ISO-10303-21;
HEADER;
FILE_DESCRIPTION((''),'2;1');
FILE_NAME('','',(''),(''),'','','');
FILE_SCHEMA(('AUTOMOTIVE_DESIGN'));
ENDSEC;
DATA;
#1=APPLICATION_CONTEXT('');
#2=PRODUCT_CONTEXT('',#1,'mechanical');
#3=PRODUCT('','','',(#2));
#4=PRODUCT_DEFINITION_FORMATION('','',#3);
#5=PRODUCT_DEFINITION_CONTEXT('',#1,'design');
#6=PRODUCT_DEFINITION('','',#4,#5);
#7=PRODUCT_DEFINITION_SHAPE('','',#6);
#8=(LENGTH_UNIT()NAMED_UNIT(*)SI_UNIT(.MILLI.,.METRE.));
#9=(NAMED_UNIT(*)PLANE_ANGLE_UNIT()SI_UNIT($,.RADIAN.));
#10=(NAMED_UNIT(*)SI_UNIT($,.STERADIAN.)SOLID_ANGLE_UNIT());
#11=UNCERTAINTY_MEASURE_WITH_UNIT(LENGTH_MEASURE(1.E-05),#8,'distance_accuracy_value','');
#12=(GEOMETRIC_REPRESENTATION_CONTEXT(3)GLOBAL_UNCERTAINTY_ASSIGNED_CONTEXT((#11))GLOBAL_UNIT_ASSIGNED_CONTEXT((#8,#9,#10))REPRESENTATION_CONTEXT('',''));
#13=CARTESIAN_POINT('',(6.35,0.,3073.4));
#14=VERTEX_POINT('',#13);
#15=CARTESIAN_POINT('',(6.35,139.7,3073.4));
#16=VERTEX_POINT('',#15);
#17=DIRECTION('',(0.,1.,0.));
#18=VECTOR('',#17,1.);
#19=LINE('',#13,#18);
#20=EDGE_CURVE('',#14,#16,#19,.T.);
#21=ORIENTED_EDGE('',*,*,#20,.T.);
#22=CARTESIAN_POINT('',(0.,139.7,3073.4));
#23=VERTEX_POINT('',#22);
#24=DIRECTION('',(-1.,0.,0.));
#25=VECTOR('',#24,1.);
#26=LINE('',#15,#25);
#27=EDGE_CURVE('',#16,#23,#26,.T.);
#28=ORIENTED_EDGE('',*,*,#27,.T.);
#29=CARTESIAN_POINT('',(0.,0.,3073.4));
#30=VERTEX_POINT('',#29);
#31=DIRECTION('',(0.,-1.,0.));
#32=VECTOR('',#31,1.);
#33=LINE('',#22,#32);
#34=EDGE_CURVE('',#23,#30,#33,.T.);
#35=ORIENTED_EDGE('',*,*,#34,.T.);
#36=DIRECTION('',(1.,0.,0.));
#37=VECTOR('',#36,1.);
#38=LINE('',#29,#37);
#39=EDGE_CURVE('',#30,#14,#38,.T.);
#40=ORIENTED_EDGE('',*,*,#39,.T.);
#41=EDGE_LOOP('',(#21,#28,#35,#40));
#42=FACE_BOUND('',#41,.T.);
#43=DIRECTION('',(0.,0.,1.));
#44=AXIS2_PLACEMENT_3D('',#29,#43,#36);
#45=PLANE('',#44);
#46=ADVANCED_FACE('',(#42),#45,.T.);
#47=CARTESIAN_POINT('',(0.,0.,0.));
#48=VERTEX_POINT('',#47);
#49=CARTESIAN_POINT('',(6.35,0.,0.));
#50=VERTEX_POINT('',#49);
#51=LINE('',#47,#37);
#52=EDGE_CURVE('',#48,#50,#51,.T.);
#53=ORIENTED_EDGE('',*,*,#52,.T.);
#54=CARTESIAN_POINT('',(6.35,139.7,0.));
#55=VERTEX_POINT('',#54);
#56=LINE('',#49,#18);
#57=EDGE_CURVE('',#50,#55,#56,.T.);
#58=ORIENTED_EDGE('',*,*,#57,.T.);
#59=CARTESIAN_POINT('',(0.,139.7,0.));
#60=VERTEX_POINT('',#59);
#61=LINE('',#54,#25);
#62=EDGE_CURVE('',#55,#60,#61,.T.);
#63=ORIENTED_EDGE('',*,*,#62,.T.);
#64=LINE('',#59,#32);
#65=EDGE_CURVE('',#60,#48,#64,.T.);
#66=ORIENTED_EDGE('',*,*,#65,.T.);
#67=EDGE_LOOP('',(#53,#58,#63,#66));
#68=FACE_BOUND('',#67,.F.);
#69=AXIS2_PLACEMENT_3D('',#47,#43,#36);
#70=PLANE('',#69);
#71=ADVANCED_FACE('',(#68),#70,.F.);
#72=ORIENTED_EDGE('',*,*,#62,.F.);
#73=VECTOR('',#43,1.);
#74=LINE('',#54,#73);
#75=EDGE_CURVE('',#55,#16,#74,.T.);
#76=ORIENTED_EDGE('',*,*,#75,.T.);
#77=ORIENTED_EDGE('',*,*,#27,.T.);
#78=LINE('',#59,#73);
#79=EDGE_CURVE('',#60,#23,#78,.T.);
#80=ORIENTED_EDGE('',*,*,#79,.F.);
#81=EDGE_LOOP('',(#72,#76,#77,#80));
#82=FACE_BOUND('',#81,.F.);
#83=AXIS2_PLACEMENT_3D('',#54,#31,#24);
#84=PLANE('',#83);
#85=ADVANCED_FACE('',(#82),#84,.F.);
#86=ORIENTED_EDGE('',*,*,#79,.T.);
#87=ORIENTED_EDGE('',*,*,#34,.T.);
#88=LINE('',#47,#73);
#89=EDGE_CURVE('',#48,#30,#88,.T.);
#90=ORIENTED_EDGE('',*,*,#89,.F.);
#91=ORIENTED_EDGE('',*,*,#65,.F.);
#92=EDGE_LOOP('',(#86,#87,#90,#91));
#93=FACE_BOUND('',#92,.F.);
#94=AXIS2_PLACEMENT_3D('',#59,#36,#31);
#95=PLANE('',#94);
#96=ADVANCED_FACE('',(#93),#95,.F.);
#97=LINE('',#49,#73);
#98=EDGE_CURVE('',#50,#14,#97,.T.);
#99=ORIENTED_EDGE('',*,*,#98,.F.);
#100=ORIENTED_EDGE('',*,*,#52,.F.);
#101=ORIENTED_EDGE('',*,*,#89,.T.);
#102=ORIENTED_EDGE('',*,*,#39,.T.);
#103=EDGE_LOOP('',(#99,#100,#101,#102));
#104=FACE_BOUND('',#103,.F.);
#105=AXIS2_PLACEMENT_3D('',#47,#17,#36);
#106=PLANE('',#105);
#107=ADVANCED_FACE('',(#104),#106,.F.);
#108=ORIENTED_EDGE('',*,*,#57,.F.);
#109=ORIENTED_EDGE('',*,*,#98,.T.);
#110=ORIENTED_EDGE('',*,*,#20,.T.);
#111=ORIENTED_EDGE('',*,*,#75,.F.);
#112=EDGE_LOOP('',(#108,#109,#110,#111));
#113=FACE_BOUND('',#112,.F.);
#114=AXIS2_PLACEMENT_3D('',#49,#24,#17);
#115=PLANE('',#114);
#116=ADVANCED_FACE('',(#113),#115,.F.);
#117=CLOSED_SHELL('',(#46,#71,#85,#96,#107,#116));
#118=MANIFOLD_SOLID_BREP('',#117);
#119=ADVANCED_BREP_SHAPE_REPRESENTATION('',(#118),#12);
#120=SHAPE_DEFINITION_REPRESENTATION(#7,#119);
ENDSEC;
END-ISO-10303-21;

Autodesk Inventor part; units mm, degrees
ref_plane "YZ Plane" through (0, 0, 0) normal (1, 0, 0) x (0, 1, 0)
ref_plane "XZ Plane" through (0, 0, 0) normal (0, 1, 0) x (-1, 0, 0)
ref_plane "XY Plane" through (0, 0, 0) normal (0, 0, 1) x (1, 0, 0)
sketch "Sketch1" plane through (0, 0, 0) normal (0, 0, 1) x (1, 0, 0)
  line L0 (0, 0) -> (6.35, 0)
  line L1 (6.35, 0) -> (6.35, 139.7)
  line L2 (6.35, 139.7) -> (0, 139.7)
  line L3 (0, 139.7) -> (0, 0)
  dimension "d0" = 6.35
  dimension "d1" = 139.7
extrude "Extrusion1" add sketch "Sketch1" along normal blind 3073.4
properties part number "Sill_Seal_With_Length_121_Inches" material "Polyethylene, Low Density"
